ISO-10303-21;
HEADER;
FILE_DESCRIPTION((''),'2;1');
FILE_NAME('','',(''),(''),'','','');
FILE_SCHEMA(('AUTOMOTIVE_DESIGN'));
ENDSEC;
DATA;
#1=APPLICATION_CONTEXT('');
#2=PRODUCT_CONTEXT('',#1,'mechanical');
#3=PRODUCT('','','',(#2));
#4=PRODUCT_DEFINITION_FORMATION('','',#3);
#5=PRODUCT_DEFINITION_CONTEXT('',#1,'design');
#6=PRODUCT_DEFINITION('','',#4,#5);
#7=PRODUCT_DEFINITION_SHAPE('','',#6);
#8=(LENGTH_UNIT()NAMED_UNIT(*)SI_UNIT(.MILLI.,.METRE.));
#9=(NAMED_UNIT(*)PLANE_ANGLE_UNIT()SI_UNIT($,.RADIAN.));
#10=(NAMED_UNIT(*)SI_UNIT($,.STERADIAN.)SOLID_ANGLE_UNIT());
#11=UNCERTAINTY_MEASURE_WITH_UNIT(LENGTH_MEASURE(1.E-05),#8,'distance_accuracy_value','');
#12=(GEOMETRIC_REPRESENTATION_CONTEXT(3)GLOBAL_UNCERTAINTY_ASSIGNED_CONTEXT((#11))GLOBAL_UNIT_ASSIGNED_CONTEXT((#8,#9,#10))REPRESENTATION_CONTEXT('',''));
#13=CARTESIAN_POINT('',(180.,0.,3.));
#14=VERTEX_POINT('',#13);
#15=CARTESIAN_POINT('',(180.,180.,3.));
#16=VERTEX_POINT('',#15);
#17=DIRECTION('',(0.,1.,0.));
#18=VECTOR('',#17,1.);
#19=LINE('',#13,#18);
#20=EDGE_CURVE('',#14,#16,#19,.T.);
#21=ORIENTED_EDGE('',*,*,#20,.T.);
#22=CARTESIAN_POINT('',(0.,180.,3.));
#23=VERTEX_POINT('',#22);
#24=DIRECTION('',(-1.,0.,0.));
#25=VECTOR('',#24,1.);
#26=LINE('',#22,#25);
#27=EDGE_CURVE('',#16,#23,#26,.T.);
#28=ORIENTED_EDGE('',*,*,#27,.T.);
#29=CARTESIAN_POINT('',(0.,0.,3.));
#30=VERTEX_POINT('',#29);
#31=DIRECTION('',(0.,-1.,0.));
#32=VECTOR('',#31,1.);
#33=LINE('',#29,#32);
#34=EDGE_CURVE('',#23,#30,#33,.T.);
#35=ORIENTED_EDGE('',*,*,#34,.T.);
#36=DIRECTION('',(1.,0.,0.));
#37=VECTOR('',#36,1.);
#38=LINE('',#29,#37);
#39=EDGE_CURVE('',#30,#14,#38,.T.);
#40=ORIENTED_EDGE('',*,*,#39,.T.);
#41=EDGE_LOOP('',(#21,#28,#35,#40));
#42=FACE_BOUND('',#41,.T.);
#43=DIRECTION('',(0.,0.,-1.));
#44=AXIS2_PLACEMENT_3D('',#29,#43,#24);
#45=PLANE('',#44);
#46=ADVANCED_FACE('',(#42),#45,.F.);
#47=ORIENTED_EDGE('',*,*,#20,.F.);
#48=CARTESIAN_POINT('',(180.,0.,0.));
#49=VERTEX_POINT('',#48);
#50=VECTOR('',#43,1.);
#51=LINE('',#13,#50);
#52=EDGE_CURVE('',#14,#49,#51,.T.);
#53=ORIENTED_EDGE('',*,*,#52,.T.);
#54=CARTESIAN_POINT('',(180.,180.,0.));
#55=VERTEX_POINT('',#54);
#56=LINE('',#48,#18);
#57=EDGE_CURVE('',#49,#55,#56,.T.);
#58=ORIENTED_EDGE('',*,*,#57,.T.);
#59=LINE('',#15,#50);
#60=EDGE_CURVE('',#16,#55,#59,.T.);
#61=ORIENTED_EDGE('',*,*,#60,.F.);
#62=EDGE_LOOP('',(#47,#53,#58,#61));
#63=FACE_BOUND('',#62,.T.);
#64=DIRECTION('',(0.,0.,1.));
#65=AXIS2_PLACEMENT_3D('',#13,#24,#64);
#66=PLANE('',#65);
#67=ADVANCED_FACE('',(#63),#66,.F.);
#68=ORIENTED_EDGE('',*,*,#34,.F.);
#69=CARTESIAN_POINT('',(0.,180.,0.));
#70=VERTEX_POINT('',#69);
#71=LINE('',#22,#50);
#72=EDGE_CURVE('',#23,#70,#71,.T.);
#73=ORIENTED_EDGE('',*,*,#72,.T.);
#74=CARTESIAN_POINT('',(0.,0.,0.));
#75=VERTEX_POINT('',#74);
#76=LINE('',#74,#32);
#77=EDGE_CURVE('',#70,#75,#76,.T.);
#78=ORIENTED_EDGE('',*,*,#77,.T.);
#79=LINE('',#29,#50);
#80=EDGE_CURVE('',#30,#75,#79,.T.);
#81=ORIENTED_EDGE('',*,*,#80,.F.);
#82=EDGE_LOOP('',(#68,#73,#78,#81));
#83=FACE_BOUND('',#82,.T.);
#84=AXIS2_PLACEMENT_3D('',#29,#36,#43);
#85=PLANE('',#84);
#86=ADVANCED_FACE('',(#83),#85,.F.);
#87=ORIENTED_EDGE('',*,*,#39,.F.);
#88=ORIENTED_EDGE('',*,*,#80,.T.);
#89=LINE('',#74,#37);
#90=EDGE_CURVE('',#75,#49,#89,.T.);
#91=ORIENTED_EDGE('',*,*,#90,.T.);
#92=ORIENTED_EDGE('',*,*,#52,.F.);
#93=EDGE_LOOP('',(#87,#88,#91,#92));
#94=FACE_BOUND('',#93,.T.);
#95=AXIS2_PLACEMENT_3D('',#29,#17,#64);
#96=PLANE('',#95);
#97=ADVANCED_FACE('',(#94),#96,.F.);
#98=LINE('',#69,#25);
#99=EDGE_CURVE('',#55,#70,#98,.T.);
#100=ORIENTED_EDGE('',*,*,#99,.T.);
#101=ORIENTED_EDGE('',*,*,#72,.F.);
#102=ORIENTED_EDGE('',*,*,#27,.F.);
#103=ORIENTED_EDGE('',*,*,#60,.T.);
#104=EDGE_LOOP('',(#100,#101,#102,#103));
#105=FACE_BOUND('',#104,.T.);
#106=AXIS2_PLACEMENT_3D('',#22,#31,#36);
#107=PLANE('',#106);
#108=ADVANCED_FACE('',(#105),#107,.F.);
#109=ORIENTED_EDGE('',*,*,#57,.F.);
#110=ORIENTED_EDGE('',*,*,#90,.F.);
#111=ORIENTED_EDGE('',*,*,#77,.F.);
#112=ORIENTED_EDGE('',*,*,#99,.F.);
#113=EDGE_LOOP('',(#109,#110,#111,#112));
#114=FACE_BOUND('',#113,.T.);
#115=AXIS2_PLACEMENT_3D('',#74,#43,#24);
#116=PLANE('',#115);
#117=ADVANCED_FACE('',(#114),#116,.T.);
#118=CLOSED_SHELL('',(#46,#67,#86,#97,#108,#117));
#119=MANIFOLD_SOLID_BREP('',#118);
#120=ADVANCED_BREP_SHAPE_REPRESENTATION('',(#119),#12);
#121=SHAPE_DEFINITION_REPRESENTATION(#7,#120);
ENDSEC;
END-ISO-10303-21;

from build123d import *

# Parameters (mm, degrees)
SKETCH_1_W      = 180
SKETCH_1_H      = 180
EXTRUDE_1_DEPTH = 3


with BuildPart() as part:
    # 草图1 → 凸台-拉伸1 (new body)
    with BuildSketch(Plane.XY):
        with Locations((90, 90)):
            Rectangle(SKETCH_1_W, SKETCH_1_H)
    extrude(amount=EXTRUDE_1_DEPTH)


solid = part.part
